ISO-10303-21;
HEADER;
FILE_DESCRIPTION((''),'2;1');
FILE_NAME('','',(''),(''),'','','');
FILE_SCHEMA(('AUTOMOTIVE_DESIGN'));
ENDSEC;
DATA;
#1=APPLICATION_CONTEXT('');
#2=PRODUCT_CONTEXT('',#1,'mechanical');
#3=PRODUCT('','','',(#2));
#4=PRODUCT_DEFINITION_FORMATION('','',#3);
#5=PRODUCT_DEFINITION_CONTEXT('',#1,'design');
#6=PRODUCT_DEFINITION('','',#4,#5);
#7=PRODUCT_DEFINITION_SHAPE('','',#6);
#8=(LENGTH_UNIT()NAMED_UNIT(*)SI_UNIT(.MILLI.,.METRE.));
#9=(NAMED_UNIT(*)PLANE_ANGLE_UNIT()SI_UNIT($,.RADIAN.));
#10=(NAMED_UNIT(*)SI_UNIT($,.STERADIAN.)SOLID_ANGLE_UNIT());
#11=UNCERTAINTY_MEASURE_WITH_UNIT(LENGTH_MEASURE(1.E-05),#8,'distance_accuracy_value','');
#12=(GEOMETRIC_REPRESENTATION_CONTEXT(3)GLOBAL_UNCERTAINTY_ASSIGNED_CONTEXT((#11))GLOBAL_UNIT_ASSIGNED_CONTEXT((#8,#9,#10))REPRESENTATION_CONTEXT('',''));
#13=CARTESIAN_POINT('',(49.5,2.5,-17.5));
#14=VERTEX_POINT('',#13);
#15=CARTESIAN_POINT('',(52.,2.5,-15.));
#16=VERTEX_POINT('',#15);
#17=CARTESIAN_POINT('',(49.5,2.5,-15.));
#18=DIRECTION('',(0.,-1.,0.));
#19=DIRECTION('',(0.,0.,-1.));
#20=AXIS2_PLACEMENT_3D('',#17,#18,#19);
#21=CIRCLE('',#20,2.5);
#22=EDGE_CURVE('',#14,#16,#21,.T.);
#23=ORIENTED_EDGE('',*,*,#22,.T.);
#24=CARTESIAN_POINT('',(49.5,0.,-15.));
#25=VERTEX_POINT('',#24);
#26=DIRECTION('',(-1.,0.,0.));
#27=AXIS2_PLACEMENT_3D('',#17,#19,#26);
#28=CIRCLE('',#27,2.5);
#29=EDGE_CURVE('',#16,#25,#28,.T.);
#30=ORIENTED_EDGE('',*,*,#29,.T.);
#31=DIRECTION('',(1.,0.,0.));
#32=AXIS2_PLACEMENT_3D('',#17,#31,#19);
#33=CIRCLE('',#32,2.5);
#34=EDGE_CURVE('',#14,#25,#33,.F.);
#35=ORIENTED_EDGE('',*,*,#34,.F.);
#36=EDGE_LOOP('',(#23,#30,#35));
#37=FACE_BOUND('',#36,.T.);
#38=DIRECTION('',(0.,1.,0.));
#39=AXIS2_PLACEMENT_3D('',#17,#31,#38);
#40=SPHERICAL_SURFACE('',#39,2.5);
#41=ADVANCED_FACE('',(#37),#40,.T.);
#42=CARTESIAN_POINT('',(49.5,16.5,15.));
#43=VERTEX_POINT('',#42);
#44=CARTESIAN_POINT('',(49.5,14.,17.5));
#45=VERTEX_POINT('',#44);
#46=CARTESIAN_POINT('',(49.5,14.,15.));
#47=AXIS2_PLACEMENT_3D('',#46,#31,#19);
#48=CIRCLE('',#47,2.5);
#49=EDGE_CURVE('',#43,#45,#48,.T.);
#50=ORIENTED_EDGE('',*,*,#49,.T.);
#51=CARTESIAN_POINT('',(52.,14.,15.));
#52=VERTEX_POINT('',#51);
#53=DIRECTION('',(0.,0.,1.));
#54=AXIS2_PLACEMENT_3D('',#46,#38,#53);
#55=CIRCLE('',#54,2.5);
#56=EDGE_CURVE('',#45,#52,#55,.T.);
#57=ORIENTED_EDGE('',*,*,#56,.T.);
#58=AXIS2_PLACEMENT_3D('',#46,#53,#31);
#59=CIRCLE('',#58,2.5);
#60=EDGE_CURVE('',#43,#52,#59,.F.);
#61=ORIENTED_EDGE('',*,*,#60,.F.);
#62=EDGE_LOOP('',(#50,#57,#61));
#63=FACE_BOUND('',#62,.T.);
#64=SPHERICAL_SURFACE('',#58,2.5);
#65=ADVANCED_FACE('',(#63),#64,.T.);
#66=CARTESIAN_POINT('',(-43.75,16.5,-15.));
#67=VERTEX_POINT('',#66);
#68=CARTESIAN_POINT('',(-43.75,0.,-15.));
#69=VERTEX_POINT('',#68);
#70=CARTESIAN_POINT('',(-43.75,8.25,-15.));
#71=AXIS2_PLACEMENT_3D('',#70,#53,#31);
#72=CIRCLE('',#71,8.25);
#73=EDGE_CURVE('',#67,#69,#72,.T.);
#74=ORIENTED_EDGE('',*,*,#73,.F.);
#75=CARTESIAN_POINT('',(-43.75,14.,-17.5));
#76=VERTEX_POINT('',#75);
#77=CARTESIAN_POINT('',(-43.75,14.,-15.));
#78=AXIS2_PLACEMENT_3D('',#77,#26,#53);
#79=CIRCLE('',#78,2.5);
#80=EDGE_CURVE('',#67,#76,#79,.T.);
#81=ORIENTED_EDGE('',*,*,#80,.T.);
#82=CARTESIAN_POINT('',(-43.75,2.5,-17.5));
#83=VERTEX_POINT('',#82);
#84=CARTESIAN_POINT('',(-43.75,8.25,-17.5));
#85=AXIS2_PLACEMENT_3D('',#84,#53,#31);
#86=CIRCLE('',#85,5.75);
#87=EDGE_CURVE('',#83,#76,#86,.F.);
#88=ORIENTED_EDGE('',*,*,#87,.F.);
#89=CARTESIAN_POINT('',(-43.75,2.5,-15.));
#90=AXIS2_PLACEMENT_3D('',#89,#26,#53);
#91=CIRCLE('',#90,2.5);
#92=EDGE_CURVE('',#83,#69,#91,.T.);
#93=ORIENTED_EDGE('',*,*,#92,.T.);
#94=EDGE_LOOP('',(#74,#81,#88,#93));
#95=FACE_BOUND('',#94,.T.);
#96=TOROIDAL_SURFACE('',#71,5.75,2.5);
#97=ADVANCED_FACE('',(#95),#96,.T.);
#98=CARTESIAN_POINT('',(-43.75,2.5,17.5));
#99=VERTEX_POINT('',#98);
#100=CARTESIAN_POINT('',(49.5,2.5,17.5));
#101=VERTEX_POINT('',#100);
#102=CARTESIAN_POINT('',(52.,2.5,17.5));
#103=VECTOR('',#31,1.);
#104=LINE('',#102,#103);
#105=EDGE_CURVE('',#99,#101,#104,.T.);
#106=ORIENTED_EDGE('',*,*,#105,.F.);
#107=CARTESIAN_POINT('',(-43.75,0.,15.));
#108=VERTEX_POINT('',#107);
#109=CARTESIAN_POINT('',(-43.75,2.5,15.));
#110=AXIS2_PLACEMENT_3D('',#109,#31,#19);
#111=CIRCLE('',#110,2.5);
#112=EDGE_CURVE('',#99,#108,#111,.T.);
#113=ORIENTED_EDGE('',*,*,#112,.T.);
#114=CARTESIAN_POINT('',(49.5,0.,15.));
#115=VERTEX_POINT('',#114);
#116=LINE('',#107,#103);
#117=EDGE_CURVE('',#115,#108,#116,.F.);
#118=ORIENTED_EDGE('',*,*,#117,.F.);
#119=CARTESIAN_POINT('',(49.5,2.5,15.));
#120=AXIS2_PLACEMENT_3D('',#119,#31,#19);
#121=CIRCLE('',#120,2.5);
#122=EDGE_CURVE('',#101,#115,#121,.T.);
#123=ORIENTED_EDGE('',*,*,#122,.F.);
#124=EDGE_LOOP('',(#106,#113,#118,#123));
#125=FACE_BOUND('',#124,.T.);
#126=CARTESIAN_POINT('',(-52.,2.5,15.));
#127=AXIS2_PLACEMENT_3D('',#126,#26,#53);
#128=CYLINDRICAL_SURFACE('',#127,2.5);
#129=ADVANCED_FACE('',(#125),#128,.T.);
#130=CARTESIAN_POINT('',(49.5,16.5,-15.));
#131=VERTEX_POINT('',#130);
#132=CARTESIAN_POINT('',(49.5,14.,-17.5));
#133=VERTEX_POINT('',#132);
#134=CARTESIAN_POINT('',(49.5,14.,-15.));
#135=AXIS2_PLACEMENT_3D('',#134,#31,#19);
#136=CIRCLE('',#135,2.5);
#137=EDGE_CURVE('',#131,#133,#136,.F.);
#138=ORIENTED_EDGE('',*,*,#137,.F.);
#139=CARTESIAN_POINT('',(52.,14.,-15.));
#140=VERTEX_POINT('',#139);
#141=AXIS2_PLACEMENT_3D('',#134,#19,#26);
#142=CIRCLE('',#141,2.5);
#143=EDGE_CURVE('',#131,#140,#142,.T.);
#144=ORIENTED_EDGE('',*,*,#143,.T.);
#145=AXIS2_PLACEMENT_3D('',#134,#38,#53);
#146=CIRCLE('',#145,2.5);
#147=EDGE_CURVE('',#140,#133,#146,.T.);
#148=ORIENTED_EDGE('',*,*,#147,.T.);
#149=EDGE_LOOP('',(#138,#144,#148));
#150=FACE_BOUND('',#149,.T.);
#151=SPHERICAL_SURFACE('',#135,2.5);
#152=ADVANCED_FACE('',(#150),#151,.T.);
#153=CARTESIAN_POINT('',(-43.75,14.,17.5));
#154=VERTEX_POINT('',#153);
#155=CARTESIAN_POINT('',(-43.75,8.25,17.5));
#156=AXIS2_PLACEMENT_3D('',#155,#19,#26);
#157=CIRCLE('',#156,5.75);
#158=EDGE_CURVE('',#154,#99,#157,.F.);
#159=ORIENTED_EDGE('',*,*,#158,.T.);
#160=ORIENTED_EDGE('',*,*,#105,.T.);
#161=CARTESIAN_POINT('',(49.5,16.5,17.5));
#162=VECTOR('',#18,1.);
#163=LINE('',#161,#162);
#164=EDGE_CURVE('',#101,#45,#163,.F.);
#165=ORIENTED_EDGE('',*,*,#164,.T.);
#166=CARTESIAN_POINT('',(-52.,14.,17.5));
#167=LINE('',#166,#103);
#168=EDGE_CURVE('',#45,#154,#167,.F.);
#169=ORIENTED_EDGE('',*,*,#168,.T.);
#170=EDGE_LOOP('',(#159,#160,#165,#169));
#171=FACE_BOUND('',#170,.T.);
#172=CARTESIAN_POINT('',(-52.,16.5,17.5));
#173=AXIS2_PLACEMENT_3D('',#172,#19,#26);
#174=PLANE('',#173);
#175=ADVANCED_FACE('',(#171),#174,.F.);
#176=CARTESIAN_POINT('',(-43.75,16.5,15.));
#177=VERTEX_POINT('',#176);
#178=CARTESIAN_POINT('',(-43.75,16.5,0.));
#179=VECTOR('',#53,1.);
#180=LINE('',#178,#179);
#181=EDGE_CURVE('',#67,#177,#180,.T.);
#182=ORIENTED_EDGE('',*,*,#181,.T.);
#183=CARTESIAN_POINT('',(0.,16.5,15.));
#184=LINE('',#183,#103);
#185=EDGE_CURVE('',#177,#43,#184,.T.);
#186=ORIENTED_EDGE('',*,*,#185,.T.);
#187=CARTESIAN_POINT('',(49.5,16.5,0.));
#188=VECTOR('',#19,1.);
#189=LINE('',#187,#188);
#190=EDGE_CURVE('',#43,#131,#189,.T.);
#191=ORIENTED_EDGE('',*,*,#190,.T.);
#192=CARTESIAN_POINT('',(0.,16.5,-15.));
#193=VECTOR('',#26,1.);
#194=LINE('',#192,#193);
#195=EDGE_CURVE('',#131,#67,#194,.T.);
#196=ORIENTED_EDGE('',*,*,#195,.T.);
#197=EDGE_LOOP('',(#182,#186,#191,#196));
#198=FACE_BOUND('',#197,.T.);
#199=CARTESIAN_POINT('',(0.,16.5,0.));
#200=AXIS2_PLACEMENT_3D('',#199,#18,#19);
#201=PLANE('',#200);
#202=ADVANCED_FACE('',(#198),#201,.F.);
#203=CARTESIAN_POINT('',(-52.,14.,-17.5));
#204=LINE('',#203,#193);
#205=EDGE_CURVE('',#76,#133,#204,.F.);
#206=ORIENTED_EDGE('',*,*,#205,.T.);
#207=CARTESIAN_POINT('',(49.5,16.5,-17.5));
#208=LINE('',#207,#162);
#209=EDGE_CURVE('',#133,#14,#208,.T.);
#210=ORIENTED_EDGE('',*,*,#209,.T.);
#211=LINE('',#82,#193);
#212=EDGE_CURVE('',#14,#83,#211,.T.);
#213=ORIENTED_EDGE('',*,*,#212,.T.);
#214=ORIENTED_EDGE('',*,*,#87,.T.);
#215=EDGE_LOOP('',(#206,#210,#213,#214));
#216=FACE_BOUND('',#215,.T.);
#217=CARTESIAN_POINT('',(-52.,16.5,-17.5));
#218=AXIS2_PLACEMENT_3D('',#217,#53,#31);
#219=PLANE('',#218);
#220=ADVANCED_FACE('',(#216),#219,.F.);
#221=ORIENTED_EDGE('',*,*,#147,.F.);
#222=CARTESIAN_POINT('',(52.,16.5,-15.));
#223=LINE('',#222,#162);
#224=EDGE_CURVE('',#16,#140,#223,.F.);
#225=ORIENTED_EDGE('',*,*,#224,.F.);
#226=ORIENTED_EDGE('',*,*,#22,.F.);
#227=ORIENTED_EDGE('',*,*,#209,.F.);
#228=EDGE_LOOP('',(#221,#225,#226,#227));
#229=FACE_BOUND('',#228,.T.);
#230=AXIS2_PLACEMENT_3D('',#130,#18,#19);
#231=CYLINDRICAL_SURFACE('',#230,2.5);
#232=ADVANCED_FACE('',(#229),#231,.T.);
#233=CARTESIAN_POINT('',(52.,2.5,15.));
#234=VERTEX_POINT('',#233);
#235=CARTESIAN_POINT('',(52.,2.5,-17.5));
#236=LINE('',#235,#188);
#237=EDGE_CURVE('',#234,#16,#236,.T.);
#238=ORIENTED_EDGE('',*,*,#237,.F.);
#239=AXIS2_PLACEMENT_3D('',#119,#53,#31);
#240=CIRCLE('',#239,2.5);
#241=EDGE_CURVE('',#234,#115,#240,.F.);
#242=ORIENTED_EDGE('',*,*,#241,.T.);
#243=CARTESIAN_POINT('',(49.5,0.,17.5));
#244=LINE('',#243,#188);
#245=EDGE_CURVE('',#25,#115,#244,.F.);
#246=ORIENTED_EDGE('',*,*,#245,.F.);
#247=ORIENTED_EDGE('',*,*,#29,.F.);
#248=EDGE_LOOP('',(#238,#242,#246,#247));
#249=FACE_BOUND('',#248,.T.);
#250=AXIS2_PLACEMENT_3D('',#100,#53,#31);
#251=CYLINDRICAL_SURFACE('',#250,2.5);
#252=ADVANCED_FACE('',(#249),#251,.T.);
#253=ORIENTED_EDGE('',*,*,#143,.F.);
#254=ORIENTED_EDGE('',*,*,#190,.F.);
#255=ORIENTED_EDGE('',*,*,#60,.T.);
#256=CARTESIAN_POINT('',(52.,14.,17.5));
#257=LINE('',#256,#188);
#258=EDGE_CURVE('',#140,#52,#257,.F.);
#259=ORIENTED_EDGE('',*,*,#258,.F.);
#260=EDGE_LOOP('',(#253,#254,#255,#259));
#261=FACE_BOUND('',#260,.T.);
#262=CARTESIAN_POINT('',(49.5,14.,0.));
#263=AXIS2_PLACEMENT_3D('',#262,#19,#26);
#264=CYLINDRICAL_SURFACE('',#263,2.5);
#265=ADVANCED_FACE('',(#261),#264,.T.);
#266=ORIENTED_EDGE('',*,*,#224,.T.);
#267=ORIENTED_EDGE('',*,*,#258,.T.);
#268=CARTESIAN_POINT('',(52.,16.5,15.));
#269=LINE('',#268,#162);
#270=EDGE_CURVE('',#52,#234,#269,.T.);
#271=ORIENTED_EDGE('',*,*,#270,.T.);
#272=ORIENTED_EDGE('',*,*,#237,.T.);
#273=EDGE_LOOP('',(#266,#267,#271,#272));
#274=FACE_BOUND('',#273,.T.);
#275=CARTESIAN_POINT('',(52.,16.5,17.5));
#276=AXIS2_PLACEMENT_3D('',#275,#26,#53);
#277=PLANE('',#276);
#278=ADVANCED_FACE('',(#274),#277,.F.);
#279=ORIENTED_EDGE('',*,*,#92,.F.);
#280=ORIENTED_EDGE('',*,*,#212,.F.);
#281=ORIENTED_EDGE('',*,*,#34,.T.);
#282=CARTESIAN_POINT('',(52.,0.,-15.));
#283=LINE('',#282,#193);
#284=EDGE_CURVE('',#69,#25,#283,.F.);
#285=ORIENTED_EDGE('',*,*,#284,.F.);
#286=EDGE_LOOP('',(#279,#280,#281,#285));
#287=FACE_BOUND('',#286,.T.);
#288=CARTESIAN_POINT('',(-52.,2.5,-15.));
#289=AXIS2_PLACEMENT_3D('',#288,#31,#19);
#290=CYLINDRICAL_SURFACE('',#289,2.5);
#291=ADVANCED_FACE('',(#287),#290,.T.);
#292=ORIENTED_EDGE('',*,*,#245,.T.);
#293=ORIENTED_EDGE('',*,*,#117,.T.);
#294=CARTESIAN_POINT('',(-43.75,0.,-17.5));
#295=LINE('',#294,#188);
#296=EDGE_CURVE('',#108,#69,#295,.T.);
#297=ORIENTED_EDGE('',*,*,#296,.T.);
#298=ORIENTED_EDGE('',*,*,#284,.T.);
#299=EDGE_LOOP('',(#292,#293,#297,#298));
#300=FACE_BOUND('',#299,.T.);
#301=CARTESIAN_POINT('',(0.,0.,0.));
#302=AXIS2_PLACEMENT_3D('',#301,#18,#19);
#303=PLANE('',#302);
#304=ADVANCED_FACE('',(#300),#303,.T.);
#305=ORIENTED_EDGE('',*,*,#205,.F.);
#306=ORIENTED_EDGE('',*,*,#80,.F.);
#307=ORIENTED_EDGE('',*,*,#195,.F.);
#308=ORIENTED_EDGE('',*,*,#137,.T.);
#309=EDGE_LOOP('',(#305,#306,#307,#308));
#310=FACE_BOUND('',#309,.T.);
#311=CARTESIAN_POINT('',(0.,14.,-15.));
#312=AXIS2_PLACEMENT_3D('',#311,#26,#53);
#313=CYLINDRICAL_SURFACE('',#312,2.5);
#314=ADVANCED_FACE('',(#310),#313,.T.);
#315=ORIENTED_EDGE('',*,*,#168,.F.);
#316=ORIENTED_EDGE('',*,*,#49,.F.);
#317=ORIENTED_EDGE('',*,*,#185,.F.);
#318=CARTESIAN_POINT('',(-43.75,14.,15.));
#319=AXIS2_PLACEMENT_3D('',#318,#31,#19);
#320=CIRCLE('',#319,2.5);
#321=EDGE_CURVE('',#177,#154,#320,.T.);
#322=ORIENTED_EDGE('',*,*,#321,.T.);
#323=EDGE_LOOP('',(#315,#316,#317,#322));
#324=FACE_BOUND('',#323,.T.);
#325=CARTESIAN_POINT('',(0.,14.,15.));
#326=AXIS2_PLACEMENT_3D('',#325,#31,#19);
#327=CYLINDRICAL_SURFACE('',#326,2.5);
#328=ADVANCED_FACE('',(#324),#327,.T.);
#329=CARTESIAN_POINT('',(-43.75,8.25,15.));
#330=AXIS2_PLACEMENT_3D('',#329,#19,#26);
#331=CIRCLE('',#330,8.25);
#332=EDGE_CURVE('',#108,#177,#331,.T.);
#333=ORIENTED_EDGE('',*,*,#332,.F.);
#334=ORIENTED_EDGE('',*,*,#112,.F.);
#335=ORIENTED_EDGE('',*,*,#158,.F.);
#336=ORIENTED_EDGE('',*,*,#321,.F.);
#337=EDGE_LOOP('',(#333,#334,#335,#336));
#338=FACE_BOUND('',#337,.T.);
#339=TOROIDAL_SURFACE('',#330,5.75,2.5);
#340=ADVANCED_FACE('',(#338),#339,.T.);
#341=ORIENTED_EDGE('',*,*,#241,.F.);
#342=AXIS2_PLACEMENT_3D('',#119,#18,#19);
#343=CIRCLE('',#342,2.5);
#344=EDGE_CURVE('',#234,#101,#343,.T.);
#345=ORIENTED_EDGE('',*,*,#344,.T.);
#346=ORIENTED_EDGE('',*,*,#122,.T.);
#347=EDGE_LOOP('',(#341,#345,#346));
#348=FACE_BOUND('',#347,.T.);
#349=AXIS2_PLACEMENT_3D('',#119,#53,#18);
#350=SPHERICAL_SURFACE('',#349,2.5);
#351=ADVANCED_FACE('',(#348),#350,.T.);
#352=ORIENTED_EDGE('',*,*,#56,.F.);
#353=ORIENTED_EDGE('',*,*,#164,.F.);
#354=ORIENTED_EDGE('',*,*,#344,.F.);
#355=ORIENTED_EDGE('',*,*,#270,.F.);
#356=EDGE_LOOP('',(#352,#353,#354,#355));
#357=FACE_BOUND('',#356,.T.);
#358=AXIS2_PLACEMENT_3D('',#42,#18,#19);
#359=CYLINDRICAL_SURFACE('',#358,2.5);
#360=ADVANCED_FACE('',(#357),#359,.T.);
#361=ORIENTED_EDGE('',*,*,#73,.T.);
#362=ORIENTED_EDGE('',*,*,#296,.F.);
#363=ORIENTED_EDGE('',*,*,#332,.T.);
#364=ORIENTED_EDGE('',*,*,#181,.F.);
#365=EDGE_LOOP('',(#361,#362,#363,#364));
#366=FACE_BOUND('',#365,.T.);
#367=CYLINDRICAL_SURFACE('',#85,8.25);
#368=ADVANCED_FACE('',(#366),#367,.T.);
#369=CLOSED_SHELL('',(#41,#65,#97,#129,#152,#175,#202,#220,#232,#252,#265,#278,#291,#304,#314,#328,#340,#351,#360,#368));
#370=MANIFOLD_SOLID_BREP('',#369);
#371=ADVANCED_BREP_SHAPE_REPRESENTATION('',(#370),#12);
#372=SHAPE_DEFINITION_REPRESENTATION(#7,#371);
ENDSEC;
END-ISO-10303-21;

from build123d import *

# Parameters (mm, degrees)
SKETCH1_W           = 104
SKETCH1_H           = 35
BOSS_EXTRUDE1_DEPTH = 16.5
FILLET2_RADIUS      = 8.25
FILLET2_LENGTH      = 35
FILLET3_R           = 2.5


with BuildPart() as part:
    # Sketch1 → Boss-Extrude1 (new body)
    with BuildSketch(Plane(origin=(0, 0, 0), x_dir=(1, 0, 0), z_dir=(0, 1, 0))):
        Rectangle(SKETCH1_W, SKETCH1_H)
    extrude(amount=BOSS_EXTRUDE1_DEPTH)

    # Fillet2: full round fillet: the end face becomes a half cylinder, R = half its width
    fillet2_face = Plane((-52, 8.25, 0), x_dir=(0, 0, -1), z_dir=(-1, 0, 0))  # on the end face: x along it, z out of the body
    fillet2_slab = fillet2_face.offset(-FILLET2_RADIUS / 2) * Box(FILLET2_LENGTH, 2 * FILLET2_RADIUS, FILLET2_RADIUS, mode=Mode.PRIVATE)  # the body's end, R deep
    fillet2_round = Plane((-43.75, 8.25, 0), x_dir=(-1, 0, 0), z_dir=(0, 0, -1)) * Cylinder(FILLET2_RADIUS, FILLET2_LENGTH, mode=Mode.PRIVATE)  # its axis R under the face
    add(fillet2_slab - fillet2_round, mode=Mode.SUBTRACT)

    # Fillet3
    fillet3_edges = [part.edges().sort_by_distance(p)[0] for p in [
        (52, 16.5, 0),
        (4.125, 16.5, 17.5),
        (4.125, 0, 17.5),
        (4.125, 16.5, -17.5),
        (-52, 8.25, -17.5),
        (-52, 8.25, 17.5),
        (4.125, 0, -17.5),
        (52, 0, 0),
        (52, 8.25, -17.5),
        (52, 8.25, 17.5),
    ]]
    fillet(fillet3_edges, radius=FILLET3_R)


solid = part.part
